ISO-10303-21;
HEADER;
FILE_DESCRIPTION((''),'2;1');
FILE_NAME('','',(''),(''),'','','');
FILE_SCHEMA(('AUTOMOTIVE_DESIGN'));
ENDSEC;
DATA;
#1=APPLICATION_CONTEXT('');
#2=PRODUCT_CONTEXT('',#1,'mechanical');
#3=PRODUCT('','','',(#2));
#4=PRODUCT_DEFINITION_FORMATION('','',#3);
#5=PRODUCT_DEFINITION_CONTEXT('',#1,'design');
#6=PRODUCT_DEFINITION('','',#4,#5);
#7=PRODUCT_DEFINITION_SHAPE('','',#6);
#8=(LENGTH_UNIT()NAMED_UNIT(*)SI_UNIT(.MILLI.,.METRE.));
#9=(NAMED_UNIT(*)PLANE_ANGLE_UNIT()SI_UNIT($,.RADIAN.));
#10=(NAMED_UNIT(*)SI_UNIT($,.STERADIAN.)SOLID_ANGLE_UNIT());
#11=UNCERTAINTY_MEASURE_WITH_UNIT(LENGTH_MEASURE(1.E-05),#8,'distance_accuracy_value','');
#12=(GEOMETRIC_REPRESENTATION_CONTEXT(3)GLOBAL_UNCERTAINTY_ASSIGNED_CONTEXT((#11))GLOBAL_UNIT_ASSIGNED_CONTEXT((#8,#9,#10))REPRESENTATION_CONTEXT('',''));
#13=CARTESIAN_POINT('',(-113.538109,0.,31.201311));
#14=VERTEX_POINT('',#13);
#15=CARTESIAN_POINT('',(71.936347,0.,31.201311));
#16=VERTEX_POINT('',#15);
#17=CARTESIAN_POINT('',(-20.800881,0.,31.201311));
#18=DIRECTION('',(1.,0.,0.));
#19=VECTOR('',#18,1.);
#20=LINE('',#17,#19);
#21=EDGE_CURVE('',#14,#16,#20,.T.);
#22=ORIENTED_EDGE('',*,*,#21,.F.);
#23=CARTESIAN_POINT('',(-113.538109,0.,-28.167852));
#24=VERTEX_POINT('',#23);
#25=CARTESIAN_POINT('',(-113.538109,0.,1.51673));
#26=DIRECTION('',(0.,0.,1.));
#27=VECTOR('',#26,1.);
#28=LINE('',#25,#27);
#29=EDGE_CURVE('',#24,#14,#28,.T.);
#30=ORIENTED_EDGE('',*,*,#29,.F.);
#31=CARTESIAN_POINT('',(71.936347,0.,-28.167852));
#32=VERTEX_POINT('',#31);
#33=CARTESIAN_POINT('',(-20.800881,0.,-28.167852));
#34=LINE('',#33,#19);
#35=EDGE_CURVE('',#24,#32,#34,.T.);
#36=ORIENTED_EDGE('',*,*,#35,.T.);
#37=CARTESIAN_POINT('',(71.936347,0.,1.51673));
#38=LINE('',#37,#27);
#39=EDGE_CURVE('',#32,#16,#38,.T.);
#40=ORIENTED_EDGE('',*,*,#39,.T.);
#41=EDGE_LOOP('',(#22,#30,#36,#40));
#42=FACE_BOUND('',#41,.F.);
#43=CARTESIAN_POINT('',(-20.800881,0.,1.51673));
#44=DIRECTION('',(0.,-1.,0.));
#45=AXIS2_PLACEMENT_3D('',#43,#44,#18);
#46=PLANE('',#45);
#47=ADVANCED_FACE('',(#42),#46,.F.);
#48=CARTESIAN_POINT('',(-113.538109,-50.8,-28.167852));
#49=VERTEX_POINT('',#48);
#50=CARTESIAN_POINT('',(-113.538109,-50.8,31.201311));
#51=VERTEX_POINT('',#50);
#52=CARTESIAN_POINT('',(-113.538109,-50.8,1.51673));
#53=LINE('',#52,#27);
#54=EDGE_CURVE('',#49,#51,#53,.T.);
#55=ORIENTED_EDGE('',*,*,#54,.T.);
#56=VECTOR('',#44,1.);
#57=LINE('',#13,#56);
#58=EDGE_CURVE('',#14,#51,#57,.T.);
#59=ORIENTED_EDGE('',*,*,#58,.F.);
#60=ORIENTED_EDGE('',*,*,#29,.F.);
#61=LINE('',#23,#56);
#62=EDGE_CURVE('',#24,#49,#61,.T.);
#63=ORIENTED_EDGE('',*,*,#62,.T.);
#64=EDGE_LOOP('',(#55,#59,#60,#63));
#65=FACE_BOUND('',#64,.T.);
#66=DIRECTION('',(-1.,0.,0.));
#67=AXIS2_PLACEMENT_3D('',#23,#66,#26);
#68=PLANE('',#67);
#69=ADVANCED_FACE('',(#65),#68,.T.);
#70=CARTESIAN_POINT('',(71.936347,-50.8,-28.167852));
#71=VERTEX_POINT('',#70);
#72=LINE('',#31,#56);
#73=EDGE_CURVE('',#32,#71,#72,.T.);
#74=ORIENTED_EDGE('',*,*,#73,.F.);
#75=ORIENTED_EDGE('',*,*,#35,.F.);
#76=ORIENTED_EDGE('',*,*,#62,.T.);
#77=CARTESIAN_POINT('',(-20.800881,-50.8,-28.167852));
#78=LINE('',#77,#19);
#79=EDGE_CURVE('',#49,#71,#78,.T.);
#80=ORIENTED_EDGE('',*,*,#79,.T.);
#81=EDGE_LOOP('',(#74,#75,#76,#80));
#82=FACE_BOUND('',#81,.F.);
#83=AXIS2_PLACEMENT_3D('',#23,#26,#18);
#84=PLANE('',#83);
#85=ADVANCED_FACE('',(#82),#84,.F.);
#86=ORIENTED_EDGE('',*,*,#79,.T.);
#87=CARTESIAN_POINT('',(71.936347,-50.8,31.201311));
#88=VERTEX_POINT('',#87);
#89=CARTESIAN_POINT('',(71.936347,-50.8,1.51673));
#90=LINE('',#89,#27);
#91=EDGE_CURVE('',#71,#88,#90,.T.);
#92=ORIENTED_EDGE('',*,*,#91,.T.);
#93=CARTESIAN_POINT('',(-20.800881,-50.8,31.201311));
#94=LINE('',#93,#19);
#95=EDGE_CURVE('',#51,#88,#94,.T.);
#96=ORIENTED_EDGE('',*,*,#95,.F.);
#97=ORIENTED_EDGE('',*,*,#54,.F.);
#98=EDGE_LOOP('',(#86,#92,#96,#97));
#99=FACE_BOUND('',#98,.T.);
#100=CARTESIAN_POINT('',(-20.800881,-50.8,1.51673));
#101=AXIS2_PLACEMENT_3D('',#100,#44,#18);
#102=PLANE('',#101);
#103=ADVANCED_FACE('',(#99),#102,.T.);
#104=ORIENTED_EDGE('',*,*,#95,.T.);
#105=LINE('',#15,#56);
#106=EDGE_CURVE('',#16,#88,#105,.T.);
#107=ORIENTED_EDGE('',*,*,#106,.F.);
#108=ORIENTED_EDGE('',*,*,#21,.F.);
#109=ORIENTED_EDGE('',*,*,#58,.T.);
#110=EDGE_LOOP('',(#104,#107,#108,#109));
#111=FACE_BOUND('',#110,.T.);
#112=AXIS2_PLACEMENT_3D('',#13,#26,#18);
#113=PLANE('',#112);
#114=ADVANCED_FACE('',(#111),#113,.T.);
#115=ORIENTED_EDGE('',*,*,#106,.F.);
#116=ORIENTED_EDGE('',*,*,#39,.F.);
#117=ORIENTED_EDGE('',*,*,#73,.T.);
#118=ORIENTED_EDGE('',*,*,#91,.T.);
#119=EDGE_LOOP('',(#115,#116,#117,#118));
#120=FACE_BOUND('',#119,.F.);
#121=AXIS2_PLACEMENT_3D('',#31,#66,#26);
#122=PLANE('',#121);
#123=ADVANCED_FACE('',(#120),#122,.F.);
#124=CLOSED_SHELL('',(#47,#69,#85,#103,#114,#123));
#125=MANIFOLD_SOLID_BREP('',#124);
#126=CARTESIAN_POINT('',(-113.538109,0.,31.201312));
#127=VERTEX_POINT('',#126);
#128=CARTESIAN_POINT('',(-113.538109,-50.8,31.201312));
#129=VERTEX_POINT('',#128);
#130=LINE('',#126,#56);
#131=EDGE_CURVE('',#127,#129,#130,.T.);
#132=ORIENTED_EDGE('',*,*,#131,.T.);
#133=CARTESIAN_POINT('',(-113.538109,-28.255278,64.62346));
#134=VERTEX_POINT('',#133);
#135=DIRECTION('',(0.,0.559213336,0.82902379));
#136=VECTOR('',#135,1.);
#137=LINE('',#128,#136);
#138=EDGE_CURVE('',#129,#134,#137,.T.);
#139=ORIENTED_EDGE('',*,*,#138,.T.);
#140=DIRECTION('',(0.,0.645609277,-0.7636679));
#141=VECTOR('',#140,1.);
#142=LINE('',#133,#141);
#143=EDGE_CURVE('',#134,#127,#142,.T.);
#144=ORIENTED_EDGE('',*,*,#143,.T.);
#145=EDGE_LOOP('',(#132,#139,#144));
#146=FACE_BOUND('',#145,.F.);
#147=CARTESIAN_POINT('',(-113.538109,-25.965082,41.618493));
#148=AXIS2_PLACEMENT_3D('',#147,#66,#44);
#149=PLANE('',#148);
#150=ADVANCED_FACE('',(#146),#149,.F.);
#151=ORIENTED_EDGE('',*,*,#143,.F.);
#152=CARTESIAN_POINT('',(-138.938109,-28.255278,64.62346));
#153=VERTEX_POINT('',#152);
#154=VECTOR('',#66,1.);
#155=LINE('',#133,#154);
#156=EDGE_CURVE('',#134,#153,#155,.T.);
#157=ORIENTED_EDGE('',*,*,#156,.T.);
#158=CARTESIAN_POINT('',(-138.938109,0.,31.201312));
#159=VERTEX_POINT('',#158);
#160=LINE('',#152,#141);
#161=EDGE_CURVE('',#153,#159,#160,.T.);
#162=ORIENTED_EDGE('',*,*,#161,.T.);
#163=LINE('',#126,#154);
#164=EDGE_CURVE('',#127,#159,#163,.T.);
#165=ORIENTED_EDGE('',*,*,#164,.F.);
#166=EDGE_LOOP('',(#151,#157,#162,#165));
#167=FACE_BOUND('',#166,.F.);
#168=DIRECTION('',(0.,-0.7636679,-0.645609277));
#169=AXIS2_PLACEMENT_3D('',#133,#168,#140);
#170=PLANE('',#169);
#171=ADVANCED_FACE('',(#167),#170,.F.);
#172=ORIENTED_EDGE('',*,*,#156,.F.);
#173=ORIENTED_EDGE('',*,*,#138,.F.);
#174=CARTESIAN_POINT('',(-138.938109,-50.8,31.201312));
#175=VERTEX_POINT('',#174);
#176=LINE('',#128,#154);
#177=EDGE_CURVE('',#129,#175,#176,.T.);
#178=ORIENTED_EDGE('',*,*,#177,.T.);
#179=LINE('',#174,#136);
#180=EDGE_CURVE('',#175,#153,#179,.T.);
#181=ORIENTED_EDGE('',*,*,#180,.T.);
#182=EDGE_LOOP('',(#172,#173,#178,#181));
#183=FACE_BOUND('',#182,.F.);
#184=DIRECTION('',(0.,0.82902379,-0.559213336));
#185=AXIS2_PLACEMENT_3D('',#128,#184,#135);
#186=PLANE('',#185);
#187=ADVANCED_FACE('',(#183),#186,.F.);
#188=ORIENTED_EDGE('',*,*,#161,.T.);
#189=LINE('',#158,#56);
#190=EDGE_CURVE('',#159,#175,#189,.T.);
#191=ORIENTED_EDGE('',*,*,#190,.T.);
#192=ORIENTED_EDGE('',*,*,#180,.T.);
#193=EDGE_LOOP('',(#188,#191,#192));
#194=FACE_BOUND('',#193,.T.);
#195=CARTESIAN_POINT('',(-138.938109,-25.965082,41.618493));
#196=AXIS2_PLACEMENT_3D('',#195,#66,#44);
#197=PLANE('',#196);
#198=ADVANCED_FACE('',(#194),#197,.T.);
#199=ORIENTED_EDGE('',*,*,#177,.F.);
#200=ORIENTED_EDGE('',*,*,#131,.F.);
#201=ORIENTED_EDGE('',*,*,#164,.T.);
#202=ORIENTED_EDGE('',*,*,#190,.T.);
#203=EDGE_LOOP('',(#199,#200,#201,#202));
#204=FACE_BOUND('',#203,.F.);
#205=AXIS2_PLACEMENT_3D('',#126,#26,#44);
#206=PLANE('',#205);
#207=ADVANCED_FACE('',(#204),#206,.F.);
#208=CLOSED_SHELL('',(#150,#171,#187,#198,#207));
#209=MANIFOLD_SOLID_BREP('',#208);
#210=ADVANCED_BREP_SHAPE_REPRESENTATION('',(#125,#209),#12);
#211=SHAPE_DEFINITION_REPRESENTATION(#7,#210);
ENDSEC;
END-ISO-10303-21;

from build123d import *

# Parameters (mm, degrees)
F0_W     = 185.474456
F0_H     = 59.369163
F1_DEPTH = 50.8
F3_DEPTH = 25.4


with BuildPart() as f1:
    # F0 (on Front) → F1 (new body)
    with BuildSketch(Plane.XZ):
        with Locations((-20.800881, 1.51673)):
            Rectangle(F0_W, F0_H)
    extrude(amount=F1_DEPTH)


with BuildPart() as f3:
    # F2 (on face) → F3 (new body)
    with BuildSketch(Plane(origin=(-113.538109, 0, 0), x_dir=(0, -1, 0), z_dir=(-1, 0, 0))):
        Polygon((28.255278, 64.62346), (0, 31.201312), (50.8, 31.201312), align=None)
    extrude(amount=F3_DEPTH)


solid = Compound([f1.part, f3.part])
